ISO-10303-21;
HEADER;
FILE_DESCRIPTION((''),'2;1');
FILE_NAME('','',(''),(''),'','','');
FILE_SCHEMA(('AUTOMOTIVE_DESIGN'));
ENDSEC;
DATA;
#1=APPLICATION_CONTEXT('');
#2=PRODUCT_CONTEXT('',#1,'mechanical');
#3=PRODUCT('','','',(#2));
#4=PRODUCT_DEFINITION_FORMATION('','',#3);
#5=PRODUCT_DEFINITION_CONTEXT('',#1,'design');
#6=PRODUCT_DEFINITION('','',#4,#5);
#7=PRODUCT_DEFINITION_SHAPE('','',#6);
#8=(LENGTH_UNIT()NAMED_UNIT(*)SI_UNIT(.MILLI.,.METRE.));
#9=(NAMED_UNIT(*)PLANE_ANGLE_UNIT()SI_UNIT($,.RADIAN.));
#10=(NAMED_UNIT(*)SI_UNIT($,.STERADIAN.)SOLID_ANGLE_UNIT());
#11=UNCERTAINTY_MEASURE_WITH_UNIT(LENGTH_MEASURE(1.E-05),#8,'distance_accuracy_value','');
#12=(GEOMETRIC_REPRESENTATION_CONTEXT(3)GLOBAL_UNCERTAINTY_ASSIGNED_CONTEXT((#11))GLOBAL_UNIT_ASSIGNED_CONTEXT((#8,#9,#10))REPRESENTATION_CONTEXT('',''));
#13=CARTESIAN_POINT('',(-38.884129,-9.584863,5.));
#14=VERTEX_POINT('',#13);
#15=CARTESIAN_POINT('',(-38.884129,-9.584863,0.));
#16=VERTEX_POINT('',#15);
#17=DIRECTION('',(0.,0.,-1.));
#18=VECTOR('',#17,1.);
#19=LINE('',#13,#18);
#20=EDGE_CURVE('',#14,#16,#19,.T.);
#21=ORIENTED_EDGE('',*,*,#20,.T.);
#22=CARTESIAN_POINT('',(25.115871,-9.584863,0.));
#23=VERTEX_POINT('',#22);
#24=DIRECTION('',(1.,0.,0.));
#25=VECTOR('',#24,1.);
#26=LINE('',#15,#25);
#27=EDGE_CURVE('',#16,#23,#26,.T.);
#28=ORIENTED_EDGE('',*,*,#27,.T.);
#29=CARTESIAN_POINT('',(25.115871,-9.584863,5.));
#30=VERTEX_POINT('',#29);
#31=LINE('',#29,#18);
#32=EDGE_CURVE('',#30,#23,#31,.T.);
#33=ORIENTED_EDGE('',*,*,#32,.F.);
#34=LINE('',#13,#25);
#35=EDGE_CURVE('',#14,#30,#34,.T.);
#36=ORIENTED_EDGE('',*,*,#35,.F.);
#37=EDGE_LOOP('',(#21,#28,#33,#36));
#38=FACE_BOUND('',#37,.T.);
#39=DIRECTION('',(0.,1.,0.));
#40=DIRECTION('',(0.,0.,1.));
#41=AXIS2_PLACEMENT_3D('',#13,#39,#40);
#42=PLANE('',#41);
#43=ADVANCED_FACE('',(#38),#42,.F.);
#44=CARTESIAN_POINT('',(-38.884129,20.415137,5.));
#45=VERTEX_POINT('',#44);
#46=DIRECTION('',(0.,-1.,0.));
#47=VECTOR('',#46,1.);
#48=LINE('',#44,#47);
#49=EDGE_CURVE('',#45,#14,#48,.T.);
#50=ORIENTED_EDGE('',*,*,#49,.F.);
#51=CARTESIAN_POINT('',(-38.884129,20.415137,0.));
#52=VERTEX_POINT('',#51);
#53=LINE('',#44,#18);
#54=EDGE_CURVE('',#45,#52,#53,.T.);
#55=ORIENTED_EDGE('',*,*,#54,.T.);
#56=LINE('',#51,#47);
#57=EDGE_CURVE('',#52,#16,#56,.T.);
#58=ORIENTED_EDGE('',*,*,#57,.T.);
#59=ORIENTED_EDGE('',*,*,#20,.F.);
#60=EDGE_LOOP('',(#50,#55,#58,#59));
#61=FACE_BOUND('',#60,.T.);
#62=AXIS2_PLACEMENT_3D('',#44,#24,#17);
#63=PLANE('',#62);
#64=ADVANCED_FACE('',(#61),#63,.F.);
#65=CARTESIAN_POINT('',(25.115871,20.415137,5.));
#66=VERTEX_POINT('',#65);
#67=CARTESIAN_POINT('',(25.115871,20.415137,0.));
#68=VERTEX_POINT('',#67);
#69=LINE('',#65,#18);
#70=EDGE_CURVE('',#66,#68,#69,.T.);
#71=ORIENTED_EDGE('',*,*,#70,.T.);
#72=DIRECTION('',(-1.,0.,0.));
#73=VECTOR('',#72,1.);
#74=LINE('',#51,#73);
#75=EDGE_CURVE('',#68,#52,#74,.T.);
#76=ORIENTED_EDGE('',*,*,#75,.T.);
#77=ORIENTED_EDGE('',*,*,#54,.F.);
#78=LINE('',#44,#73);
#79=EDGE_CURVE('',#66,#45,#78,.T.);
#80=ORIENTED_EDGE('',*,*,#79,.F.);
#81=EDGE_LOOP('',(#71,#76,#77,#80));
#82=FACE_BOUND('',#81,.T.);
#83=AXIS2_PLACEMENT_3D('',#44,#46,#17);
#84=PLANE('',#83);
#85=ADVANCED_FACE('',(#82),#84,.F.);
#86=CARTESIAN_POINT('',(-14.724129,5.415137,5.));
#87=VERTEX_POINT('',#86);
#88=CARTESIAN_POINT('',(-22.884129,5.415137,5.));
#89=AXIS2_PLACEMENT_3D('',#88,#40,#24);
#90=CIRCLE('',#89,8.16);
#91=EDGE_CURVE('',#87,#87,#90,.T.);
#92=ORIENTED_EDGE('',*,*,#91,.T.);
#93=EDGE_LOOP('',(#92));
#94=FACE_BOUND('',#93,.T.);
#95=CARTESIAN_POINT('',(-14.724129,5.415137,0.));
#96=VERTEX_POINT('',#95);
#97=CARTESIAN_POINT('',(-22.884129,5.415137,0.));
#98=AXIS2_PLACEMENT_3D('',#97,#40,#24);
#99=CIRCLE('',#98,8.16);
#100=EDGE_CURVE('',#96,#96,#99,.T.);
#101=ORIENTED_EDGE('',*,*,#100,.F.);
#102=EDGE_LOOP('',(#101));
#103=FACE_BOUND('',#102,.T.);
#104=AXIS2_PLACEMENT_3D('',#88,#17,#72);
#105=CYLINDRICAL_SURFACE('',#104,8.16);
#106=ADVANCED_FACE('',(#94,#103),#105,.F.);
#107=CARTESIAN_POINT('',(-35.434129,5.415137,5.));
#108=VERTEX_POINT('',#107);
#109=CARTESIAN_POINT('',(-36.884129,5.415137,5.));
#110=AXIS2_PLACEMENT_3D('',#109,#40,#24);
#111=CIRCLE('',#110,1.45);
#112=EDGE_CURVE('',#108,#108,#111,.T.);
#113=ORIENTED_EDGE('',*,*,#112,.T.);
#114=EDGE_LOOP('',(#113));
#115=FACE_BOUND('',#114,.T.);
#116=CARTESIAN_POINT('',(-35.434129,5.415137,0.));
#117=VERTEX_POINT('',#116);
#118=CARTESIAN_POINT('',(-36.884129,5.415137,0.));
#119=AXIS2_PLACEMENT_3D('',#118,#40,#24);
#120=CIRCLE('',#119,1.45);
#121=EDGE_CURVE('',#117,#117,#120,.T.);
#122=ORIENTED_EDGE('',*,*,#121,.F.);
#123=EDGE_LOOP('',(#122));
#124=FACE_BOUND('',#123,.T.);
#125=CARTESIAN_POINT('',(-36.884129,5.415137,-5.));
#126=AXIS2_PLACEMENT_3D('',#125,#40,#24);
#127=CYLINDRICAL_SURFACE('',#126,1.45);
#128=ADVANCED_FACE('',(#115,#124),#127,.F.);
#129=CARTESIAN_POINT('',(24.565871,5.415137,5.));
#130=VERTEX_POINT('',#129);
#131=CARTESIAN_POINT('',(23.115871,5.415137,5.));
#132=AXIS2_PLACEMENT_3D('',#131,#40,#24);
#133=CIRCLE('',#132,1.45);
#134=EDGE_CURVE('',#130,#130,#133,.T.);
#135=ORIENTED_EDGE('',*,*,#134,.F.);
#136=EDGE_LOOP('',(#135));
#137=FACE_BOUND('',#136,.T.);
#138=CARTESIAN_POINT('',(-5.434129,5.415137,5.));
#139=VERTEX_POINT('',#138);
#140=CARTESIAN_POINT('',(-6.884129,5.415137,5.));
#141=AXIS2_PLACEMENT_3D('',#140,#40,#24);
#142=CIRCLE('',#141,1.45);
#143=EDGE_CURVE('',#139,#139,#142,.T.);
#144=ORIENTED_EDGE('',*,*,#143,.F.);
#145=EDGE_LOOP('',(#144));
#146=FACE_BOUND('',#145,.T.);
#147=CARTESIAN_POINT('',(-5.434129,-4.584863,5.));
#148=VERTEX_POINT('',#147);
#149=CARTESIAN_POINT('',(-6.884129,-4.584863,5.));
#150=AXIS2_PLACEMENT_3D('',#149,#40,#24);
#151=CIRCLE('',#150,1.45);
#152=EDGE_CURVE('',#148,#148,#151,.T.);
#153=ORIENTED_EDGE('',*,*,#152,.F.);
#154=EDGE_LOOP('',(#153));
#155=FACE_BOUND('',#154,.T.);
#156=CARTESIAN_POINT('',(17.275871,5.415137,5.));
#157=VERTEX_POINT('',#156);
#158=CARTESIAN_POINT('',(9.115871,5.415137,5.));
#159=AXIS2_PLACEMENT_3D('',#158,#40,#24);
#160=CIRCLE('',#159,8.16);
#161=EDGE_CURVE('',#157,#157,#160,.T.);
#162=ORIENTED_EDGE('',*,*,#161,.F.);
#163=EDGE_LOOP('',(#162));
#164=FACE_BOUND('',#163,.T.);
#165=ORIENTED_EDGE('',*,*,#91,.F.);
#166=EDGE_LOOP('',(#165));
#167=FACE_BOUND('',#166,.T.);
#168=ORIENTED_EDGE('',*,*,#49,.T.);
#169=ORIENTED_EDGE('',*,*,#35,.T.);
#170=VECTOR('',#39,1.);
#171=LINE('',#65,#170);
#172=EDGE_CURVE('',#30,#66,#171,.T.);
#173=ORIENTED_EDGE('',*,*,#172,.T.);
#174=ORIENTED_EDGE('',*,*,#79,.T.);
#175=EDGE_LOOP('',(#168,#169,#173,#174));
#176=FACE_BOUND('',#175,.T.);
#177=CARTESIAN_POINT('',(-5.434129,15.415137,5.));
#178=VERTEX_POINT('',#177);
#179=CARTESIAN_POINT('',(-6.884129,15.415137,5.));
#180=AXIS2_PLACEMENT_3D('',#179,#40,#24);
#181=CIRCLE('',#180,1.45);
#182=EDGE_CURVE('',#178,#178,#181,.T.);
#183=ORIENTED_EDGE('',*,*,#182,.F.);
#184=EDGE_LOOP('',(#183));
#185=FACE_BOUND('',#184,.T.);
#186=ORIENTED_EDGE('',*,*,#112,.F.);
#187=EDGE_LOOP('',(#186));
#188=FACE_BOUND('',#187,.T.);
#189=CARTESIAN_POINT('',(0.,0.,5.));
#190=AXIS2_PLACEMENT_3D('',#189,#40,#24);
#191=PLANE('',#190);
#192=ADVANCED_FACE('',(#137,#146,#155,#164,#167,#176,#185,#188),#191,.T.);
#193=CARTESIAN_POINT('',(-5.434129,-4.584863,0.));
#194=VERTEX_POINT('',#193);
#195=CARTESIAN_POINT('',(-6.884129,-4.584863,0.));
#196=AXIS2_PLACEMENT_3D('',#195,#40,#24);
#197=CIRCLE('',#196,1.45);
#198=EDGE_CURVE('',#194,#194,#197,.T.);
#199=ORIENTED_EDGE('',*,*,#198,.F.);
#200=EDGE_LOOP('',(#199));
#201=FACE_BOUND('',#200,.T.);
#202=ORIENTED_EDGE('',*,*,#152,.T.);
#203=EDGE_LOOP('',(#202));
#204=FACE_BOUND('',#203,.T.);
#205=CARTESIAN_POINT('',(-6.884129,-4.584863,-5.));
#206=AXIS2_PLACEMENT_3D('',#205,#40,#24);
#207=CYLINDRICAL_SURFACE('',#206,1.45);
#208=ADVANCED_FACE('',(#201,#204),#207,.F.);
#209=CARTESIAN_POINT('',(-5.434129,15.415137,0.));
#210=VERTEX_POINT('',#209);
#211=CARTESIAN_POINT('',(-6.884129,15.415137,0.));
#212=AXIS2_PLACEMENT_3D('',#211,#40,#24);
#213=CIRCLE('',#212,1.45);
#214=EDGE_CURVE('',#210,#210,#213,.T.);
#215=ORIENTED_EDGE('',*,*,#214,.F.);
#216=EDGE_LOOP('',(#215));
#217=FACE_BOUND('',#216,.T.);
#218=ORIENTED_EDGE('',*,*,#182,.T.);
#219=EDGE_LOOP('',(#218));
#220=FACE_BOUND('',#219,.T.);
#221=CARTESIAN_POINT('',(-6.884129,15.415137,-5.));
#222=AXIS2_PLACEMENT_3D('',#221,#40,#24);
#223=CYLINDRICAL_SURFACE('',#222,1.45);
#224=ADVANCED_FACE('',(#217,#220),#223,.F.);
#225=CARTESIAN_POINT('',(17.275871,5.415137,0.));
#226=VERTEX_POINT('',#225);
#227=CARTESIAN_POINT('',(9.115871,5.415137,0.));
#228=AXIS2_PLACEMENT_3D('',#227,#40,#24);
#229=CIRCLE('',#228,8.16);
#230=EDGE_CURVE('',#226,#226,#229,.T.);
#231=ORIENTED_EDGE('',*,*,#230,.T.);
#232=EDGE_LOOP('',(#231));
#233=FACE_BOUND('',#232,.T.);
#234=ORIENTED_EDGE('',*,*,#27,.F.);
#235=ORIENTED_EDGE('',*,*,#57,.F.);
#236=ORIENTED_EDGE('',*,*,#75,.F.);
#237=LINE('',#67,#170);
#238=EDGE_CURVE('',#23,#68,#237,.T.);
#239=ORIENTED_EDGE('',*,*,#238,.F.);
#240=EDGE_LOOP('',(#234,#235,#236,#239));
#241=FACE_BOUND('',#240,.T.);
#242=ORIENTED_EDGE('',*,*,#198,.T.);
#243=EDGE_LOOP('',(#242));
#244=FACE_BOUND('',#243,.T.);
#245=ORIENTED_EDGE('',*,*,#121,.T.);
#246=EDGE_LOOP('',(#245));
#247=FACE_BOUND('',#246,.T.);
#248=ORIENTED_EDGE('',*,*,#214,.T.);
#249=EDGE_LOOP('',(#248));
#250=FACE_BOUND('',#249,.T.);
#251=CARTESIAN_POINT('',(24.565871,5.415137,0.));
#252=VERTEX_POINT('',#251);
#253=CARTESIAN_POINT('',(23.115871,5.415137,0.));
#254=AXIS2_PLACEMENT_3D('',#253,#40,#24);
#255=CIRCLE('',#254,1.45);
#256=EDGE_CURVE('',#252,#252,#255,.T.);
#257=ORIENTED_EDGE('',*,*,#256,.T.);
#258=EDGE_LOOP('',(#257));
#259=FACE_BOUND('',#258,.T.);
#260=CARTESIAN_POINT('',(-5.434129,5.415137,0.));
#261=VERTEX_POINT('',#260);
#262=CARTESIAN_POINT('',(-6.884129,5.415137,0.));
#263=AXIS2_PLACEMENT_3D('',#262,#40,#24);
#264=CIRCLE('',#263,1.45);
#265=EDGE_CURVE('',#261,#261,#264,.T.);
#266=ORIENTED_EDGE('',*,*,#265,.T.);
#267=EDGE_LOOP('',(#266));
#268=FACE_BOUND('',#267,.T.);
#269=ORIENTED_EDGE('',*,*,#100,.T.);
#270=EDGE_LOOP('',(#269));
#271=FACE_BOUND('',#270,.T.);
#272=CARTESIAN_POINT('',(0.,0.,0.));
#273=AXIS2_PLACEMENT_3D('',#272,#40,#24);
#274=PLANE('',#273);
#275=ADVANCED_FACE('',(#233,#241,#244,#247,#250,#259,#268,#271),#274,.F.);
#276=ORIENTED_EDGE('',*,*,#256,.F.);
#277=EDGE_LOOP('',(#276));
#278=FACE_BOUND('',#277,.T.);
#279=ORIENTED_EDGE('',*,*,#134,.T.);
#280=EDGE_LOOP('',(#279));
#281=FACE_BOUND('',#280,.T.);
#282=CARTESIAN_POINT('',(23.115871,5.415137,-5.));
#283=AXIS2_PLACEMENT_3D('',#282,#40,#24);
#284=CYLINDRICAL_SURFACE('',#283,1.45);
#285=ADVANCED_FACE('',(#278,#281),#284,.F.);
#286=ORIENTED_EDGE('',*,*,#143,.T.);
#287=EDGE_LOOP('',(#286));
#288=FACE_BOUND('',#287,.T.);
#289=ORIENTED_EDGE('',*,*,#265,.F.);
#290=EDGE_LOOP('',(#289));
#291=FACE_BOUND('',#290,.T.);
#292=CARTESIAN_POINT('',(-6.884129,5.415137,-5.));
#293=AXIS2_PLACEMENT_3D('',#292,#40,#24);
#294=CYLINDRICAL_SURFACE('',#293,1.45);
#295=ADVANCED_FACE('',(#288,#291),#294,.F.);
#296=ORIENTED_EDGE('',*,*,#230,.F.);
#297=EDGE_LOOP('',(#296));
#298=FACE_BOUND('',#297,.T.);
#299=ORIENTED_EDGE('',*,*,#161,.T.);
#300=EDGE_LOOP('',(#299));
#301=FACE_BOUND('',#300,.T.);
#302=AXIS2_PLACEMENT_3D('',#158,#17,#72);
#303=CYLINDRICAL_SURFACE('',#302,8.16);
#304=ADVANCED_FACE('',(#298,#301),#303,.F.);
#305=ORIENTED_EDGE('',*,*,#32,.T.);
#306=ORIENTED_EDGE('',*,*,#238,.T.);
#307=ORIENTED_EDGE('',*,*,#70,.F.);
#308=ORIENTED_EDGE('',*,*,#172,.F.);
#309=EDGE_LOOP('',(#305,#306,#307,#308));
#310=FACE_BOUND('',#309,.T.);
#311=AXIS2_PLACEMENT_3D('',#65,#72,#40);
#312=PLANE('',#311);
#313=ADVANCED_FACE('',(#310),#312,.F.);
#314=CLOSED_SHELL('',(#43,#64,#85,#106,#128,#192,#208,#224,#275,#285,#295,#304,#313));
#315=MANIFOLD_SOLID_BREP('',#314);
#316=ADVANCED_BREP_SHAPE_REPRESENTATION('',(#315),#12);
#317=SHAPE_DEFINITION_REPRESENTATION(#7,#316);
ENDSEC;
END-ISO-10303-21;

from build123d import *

# Parameters (mm, degrees)
SKETCH_1_W          = 64
SKETCH_1_H          = 30
SKETCH_1_R          = 8.16
EXTRUDE_1_DEPTH     = 5
SKETCH_2_R          = 1.45
CUT_EXTRUDE_1_DEPTH = 10


with BuildPart() as part:
    # 草图1 → 凸台-拉伸1 (new body)
    with BuildSketch(Plane.XY):
        with Locations((-6.884129186, 5.415137148)):
            Rectangle(SKETCH_1_W, SKETCH_1_H)
        with Locations((9.115870814, 5.415137148)):
            Circle(SKETCH_1_R, mode=Mode.SUBTRACT)
        with Locations((-22.884129186, 5.415137148)):
            Circle(SKETCH_1_R, mode=Mode.SUBTRACT)
    extrude(amount=EXTRUDE_1_DEPTH)

    # 草图2 → 切除-拉伸1 (cut)
    with BuildSketch(Plane.XY.offset(5)):
        with Locations((-6.884129186, 5.415137148)):
            Circle(SKETCH_2_R)
        with Locations((23.115870814, 5.415137148)):
            Circle(SKETCH_2_R)
        with Locations((-36.884129186, 5.415137148)):
            Circle(SKETCH_2_R)
        with Locations((-6.884129186, 15.415137148)):
            Circle(SKETCH_2_R)
        with Locations((-6.884129186, -4.584862852)):
            Circle(SKETCH_2_R)
    extrude(amount=-CUT_EXTRUDE_1_DEPTH, mode=Mode.SUBTRACT)


solid = part.part
